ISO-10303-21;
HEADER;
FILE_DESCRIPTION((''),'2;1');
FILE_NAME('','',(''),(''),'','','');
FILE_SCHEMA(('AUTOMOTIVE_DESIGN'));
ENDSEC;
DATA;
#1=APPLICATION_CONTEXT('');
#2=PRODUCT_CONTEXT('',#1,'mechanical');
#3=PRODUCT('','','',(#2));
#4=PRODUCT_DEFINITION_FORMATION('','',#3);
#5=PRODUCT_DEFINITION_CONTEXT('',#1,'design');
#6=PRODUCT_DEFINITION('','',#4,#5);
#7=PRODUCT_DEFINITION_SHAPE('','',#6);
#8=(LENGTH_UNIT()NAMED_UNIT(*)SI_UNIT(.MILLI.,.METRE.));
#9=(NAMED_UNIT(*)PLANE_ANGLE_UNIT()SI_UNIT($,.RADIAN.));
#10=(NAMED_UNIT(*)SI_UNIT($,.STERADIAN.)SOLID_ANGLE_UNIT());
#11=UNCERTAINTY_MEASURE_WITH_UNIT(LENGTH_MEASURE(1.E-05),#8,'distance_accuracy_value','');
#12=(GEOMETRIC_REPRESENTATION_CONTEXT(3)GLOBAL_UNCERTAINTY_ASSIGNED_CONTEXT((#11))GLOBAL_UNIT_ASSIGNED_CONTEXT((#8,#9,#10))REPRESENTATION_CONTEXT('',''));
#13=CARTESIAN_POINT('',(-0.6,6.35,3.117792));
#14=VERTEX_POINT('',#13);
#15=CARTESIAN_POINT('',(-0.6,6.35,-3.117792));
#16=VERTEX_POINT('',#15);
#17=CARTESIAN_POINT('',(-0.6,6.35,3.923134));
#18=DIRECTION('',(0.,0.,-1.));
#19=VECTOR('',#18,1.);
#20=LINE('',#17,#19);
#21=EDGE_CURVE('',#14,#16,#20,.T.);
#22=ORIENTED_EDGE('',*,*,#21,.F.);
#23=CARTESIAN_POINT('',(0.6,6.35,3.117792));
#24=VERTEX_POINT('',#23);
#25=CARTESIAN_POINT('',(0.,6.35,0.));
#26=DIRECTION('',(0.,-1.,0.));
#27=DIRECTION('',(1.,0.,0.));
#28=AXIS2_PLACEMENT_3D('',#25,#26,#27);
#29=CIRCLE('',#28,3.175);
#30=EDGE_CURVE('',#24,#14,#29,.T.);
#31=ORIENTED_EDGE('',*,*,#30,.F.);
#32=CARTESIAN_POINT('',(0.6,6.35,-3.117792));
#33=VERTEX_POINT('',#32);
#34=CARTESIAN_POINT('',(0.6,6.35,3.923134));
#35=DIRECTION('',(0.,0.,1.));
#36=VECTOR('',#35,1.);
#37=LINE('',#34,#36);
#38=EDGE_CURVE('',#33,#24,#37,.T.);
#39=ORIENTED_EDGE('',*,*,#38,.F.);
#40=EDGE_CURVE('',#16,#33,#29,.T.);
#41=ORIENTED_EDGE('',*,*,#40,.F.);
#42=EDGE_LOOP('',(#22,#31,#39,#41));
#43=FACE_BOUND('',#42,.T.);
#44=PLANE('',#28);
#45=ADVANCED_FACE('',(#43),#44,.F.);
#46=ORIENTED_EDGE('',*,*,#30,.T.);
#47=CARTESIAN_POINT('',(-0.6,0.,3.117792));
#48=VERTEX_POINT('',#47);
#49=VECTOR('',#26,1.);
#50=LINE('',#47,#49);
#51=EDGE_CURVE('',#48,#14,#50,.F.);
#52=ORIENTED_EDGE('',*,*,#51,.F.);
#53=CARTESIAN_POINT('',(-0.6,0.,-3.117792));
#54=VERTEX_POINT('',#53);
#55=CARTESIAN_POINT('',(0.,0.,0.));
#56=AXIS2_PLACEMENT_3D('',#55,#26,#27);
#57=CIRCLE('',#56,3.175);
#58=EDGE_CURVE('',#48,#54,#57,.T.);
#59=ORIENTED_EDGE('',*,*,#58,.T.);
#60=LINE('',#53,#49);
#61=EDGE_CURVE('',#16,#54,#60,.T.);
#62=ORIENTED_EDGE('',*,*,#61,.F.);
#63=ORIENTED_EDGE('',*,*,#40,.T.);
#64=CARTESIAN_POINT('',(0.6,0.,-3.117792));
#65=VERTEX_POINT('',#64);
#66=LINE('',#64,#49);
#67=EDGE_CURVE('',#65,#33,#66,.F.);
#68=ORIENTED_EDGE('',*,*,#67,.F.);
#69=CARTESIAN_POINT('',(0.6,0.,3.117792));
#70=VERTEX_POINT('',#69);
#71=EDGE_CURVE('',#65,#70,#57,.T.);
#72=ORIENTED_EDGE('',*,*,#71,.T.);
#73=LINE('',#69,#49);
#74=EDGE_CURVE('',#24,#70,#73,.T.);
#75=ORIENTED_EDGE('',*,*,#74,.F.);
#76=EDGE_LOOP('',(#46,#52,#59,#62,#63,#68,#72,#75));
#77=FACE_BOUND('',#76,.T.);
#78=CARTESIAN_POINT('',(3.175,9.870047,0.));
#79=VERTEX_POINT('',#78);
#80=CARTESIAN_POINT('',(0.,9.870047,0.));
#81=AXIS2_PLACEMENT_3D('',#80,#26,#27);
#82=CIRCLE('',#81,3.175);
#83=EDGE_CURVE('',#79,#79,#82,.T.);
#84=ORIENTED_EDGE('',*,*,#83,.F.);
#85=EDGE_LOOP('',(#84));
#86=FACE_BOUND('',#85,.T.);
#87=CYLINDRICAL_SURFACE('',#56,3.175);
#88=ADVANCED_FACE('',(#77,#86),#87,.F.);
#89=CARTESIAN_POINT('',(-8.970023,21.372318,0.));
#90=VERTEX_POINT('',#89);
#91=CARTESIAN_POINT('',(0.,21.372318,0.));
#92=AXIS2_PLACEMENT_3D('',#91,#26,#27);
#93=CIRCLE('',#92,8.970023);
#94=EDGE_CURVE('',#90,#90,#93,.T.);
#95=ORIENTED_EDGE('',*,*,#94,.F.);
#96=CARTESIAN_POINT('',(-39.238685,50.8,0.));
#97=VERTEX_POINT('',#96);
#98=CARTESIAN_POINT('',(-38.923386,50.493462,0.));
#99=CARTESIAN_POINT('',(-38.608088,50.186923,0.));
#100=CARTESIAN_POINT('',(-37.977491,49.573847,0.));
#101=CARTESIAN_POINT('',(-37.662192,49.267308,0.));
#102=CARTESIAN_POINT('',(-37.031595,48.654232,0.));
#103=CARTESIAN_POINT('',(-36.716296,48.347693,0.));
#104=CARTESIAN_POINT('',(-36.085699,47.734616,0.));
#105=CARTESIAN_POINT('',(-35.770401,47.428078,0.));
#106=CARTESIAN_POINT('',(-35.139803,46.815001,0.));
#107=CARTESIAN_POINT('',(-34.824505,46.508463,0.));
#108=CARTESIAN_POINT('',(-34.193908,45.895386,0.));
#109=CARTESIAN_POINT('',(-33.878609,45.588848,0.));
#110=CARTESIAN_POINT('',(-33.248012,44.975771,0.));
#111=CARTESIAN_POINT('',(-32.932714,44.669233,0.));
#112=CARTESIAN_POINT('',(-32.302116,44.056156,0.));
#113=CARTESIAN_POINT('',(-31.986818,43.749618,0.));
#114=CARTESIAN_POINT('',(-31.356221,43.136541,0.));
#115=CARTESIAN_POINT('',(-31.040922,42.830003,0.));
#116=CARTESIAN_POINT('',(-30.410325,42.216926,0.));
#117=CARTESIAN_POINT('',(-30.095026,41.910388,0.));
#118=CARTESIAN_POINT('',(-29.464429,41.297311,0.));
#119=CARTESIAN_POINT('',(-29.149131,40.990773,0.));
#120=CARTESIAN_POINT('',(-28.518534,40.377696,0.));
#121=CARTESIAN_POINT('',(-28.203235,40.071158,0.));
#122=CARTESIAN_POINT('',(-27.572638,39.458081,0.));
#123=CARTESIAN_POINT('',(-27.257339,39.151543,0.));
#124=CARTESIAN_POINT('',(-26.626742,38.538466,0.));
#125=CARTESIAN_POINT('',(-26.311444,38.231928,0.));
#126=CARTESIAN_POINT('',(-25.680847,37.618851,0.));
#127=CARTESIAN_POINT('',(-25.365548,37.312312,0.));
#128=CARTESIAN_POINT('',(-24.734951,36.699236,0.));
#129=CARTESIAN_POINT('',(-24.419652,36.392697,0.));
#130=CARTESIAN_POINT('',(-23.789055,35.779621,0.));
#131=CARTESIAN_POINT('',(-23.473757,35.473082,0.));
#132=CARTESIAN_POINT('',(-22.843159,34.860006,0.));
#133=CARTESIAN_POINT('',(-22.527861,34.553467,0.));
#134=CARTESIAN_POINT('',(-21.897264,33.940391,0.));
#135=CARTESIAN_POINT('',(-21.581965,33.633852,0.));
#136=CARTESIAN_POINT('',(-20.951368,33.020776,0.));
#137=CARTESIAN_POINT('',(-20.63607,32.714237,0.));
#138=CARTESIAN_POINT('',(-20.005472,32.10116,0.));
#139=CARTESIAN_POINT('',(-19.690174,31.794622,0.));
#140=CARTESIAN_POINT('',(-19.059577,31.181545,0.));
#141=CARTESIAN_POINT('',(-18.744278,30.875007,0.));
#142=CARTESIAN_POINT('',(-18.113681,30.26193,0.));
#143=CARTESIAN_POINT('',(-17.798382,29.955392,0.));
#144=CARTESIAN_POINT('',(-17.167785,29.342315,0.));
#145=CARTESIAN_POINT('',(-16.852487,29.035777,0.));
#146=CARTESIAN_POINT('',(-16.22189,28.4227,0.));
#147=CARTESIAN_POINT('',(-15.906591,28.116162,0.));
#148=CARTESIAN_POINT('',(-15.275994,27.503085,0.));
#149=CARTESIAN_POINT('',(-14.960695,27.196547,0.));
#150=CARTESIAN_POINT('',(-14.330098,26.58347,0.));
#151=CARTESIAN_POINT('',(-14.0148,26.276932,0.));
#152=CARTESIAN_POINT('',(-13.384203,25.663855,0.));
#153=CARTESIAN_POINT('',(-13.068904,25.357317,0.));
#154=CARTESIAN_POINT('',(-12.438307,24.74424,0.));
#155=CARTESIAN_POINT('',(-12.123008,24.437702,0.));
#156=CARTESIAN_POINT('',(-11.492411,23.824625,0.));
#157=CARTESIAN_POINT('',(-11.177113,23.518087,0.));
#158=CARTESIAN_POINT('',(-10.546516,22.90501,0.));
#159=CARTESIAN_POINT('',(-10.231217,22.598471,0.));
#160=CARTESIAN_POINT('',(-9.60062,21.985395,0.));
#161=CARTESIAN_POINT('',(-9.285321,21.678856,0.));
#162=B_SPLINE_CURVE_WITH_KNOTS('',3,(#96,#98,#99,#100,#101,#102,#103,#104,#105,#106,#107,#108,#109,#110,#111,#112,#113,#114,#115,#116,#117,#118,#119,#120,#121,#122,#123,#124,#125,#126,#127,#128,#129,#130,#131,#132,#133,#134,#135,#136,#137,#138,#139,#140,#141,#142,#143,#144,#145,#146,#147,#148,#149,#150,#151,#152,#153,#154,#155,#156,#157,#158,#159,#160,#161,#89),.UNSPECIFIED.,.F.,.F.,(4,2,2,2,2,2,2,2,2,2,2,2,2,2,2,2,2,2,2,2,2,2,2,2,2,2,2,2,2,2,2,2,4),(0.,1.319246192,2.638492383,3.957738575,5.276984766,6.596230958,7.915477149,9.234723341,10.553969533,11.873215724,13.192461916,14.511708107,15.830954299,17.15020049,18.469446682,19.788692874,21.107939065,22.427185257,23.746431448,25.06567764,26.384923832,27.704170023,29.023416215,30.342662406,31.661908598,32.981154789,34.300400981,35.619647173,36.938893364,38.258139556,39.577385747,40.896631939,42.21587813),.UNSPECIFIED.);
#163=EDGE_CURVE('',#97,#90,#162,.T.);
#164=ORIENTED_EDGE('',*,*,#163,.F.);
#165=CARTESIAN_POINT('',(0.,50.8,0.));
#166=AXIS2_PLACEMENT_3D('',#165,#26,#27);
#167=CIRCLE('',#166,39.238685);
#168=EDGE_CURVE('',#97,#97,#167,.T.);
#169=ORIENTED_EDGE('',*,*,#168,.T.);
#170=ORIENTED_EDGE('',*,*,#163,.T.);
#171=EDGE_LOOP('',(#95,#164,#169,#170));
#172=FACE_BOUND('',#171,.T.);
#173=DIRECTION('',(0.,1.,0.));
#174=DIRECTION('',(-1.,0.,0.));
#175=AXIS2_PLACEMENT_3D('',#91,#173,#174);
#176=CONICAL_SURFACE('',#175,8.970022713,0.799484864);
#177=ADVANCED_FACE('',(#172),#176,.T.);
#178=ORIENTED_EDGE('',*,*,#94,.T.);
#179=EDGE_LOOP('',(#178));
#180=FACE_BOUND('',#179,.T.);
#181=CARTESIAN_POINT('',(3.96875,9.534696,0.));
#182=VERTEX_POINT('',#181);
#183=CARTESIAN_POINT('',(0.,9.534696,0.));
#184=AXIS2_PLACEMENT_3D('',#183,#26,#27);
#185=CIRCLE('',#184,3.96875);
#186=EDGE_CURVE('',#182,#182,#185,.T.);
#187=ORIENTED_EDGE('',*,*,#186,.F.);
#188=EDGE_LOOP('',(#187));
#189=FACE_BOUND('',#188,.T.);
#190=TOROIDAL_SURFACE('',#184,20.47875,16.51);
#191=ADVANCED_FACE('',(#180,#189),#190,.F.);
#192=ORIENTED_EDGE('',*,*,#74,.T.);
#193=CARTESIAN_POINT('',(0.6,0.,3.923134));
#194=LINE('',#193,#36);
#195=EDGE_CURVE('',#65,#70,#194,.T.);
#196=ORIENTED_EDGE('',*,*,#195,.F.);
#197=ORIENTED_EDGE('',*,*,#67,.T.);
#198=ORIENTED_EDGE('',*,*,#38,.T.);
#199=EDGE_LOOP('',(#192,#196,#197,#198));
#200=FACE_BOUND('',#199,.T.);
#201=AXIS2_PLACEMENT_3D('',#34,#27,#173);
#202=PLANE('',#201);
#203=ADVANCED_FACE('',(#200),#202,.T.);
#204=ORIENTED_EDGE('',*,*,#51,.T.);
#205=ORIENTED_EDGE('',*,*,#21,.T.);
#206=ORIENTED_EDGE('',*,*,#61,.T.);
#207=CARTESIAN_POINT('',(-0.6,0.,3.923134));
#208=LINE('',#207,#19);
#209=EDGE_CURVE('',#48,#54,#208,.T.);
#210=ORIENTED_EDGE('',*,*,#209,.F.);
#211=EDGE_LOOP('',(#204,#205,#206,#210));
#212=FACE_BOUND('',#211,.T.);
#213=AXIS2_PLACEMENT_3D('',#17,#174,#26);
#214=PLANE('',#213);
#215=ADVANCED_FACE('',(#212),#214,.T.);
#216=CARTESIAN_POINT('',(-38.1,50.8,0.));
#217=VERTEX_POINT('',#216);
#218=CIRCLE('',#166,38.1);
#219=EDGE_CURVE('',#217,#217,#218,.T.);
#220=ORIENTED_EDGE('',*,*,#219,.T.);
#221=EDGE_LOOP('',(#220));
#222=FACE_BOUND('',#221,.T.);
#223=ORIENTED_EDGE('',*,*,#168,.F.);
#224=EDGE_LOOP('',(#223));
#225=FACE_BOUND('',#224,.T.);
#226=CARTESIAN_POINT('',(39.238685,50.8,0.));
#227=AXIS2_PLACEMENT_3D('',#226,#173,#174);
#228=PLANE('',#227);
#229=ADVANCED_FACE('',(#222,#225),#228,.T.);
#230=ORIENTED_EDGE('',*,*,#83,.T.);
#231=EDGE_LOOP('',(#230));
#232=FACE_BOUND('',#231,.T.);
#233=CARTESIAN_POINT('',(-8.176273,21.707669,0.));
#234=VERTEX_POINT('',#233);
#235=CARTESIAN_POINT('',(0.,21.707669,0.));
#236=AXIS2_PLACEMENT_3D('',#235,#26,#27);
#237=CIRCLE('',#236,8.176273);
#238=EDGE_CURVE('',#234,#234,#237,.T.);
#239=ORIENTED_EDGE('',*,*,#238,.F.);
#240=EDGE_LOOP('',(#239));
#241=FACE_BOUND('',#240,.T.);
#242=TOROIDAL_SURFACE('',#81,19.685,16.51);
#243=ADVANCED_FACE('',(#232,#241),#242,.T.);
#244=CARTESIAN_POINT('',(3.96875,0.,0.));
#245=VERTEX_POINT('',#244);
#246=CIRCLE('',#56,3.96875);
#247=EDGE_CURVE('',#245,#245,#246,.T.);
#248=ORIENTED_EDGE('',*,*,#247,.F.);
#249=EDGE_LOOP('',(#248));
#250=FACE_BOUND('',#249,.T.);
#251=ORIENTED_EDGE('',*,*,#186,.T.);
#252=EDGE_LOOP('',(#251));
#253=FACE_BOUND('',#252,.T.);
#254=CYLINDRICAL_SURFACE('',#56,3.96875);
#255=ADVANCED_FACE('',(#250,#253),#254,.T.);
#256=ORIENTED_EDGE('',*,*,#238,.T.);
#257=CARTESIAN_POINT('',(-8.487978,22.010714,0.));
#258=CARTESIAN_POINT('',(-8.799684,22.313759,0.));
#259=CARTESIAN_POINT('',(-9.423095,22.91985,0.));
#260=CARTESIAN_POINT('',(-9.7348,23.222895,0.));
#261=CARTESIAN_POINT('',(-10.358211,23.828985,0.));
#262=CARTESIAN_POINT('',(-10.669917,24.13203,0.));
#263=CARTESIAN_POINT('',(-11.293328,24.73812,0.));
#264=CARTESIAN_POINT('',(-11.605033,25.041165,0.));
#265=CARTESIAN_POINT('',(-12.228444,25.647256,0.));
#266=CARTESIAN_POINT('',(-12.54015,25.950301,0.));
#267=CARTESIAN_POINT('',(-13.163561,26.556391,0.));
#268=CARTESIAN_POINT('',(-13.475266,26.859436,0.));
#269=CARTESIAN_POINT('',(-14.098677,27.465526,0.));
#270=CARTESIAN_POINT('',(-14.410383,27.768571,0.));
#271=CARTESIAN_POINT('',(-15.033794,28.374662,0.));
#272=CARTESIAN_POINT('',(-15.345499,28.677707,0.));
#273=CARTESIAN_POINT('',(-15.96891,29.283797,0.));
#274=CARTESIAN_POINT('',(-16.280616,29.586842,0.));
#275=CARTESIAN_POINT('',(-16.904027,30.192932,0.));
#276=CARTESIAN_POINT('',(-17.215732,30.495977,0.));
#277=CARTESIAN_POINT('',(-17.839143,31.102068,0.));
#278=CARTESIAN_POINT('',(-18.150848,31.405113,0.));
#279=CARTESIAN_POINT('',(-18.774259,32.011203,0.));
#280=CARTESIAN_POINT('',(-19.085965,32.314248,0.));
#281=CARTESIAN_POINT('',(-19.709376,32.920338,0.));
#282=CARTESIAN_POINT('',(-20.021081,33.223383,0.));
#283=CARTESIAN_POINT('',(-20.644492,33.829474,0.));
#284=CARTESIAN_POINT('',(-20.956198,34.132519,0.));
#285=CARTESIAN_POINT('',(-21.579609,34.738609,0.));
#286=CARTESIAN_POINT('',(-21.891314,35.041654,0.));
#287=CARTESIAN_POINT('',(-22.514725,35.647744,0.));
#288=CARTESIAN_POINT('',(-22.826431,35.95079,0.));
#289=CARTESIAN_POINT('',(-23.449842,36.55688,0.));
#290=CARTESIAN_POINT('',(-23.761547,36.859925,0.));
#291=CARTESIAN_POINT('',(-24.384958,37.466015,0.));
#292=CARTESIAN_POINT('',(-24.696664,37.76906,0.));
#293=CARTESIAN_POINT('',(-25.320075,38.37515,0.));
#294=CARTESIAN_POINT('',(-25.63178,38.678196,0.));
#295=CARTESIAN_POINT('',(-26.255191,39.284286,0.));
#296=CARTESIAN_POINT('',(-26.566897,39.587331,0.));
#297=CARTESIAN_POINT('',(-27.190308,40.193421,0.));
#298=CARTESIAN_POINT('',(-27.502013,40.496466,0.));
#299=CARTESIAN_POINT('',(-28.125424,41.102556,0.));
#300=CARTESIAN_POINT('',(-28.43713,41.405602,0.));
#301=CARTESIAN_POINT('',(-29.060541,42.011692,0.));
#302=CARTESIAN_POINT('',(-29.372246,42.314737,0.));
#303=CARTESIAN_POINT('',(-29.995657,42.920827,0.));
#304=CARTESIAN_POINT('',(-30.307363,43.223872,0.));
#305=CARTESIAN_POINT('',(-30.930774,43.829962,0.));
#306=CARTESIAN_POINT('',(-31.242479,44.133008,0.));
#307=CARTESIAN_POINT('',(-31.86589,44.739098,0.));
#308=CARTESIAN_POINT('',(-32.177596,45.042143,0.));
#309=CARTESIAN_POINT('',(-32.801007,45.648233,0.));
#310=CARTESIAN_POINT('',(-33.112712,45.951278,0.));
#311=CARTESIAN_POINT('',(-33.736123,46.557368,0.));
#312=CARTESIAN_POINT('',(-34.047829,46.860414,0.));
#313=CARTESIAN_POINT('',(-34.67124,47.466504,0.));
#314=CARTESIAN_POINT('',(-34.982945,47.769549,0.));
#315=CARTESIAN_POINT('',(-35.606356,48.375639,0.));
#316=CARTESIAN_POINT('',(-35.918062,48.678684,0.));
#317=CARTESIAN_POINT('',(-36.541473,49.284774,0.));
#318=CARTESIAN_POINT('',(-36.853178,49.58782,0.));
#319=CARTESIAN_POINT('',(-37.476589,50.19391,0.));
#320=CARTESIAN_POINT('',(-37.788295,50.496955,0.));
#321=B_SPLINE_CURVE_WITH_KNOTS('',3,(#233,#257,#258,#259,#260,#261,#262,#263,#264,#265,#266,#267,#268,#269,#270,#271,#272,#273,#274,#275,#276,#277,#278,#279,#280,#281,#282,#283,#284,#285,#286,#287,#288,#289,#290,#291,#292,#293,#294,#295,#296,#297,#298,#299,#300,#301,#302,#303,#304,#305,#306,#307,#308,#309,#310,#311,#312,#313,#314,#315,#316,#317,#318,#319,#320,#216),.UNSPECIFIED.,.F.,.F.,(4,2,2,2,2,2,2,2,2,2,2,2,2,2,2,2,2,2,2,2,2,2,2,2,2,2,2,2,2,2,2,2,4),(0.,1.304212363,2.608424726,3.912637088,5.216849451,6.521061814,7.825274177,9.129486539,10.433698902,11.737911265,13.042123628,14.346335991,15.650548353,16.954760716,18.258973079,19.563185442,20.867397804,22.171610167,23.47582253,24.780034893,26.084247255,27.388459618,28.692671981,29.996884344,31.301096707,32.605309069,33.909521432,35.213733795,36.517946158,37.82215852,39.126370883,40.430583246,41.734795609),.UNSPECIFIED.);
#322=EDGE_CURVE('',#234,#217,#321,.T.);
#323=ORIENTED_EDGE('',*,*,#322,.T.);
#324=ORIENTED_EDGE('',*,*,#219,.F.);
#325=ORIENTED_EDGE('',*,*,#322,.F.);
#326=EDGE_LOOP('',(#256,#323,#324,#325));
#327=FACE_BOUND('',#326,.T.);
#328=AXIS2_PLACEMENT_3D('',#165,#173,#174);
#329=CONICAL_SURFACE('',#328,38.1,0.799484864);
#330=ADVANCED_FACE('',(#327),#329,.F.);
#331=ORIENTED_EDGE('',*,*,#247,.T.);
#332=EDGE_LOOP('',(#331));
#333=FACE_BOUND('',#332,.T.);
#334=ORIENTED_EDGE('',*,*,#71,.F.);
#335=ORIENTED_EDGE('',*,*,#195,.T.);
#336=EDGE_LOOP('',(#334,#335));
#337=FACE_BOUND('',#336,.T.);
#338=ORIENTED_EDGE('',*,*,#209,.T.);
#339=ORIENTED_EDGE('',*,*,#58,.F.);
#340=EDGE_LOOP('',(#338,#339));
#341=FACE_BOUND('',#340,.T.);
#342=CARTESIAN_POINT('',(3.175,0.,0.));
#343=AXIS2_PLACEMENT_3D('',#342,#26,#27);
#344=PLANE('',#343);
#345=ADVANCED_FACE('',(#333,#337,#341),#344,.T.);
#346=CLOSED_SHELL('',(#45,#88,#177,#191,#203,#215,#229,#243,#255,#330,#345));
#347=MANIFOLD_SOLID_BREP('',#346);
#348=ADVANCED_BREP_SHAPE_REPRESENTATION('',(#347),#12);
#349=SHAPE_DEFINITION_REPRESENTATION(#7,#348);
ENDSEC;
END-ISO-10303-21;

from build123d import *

# Parameters (mm, degrees)
ESQUISSE4_W        = 1.2
ESQUISSE4_H        = 7.846267026
BOSS_EXTRU_1_DEPTH = 6.35


with BuildPart() as part:
    # Esquisse1 → Révolution1 (revolve)
    with BuildSketch(Plane.XY):
        with BuildLine():
            Line((3.96875, 0), (3.96875, 9.534696006))
            ThreePointArc((3.96875, 9.534696006), (5.270377511, 15.960075858), (8.970022713, 21.372318074))
            Line((8.970022713, 21.372318074), (39.238684771, 50.8))
            Line((39.238684771, 50.8), (38.1, 50.8))
            Line((38.1, 50.8), (8.176272713, 21.707669228))
            ThreePointArc((8.176272713, 21.707669228), (4.476627511, 16.295427012), (3.175, 9.87004716))
            Line((3.175, 9.87004716), (3.175, 0))
            Line((3.175, 0), (3.96875, 0))
        make_face()
    revolve(axis=Axis((0, 0, 0), (0, 1, 0)))

    # Esquisse4 → Boss.-Extru.1 (add)
    with BuildSketch(Plane.XZ):
        Rectangle(ESQUISSE4_W, ESQUISSE4_H)
    extrude(amount=-BOSS_EXTRU_1_DEPTH)


solid = part.part
